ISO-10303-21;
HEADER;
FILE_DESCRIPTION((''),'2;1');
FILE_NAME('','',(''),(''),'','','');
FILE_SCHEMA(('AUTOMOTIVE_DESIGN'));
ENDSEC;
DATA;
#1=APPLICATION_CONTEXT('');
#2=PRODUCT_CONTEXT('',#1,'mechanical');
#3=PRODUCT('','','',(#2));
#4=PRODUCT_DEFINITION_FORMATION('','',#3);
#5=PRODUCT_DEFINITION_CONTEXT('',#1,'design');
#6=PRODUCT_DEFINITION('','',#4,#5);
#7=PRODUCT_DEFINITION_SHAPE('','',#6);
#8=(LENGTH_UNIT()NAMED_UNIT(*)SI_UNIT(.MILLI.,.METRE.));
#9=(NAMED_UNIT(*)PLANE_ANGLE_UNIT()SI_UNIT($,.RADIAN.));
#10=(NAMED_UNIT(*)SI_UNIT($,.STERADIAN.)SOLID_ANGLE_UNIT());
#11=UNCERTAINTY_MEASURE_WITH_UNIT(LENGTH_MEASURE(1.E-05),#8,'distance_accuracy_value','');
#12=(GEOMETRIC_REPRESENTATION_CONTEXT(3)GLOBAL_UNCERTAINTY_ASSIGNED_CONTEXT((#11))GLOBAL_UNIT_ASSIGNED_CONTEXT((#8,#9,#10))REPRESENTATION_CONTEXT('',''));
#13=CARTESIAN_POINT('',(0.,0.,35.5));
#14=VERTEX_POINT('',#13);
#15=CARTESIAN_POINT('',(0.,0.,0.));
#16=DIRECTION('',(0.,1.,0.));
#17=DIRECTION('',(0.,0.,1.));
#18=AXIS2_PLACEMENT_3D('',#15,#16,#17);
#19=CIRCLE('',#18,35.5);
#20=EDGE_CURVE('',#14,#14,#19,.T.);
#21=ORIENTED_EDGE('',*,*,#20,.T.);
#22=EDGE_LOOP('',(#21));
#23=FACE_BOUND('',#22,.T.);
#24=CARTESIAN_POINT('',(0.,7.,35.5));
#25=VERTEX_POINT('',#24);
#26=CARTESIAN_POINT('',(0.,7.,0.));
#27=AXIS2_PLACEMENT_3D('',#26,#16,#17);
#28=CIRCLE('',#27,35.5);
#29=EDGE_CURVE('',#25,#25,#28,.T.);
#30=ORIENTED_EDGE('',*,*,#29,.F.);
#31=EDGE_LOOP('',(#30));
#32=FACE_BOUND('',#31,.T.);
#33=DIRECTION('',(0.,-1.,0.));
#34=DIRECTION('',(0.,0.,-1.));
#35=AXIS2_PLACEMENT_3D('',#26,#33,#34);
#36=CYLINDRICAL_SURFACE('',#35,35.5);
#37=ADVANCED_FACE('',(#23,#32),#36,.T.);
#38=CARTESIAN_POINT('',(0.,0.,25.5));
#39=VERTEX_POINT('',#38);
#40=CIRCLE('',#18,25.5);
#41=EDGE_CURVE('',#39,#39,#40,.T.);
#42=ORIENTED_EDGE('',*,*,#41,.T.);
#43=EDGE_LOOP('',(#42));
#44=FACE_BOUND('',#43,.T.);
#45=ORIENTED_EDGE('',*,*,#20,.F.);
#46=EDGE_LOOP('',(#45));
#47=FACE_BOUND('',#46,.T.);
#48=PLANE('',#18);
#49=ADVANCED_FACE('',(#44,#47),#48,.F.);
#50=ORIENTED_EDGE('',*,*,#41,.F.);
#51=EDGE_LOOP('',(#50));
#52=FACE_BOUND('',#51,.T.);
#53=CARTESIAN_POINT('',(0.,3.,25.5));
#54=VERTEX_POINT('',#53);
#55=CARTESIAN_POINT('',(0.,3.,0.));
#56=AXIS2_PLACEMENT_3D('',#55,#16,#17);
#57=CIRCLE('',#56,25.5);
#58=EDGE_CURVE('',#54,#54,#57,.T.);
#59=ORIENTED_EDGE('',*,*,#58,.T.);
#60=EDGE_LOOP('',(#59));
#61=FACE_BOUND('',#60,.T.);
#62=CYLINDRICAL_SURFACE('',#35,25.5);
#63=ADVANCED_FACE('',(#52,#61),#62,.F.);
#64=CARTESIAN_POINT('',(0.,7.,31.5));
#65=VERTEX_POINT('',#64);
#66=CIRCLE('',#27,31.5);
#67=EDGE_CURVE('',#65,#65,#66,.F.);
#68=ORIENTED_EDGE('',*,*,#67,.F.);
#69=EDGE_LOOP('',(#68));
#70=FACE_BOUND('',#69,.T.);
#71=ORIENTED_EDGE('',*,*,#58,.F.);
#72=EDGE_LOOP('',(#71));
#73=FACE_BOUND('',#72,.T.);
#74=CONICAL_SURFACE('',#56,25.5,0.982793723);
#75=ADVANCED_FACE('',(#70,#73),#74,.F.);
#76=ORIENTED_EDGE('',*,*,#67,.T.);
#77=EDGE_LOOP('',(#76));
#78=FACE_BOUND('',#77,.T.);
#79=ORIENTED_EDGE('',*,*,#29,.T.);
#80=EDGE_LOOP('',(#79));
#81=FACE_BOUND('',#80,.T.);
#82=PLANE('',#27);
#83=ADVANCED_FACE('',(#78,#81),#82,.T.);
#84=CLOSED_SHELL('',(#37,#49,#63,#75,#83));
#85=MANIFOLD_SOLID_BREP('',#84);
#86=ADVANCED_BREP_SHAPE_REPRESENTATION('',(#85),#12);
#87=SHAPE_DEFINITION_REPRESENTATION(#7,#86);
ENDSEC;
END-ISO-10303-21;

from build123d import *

# Parameters (mm, degrees)
SKETCH1_R           = 35.5
SKETCH1_R_2         = 25.5
BOSS_EXTRUDE1_DEPTH = 7
CHAMFER1_SIZE       = 6
CHAMFER1_SIZE2      = 4


with BuildPart() as part:
    # Sketch1 → Boss-Extrude1 (new body)
    with BuildSketch(Plane(origin=(0, 0, 0), x_dir=(1, 0, 0), z_dir=(0, 1, 0))):
        with Locations(Location((0, 0, 0), (0, 0, 270))):
            Circle(SKETCH1_R)
        with Locations(Location((0, 0, 0), (0, 0, 270))):
            Circle(SKETCH1_R_2, mode=Mode.SUBTRACT)
    extrude(amount=BOSS_EXTRUDE1_DEPTH)

    # Chamfer1
    chamfer1_edges = [part.edges().sort_by_distance(p)[0] for p in [
        (0, 7, -25.5),
    ]]
    chamfer1_side = [part.faces().sort_by_distance(p)[0] for p in [
        (0, 7, -34.495908371),
    ]]
    chamfer(chamfer1_edges, length=CHAMFER1_SIZE, length2=CHAMFER1_SIZE2, reference=chamfer1_side[0])


solid = part.part
